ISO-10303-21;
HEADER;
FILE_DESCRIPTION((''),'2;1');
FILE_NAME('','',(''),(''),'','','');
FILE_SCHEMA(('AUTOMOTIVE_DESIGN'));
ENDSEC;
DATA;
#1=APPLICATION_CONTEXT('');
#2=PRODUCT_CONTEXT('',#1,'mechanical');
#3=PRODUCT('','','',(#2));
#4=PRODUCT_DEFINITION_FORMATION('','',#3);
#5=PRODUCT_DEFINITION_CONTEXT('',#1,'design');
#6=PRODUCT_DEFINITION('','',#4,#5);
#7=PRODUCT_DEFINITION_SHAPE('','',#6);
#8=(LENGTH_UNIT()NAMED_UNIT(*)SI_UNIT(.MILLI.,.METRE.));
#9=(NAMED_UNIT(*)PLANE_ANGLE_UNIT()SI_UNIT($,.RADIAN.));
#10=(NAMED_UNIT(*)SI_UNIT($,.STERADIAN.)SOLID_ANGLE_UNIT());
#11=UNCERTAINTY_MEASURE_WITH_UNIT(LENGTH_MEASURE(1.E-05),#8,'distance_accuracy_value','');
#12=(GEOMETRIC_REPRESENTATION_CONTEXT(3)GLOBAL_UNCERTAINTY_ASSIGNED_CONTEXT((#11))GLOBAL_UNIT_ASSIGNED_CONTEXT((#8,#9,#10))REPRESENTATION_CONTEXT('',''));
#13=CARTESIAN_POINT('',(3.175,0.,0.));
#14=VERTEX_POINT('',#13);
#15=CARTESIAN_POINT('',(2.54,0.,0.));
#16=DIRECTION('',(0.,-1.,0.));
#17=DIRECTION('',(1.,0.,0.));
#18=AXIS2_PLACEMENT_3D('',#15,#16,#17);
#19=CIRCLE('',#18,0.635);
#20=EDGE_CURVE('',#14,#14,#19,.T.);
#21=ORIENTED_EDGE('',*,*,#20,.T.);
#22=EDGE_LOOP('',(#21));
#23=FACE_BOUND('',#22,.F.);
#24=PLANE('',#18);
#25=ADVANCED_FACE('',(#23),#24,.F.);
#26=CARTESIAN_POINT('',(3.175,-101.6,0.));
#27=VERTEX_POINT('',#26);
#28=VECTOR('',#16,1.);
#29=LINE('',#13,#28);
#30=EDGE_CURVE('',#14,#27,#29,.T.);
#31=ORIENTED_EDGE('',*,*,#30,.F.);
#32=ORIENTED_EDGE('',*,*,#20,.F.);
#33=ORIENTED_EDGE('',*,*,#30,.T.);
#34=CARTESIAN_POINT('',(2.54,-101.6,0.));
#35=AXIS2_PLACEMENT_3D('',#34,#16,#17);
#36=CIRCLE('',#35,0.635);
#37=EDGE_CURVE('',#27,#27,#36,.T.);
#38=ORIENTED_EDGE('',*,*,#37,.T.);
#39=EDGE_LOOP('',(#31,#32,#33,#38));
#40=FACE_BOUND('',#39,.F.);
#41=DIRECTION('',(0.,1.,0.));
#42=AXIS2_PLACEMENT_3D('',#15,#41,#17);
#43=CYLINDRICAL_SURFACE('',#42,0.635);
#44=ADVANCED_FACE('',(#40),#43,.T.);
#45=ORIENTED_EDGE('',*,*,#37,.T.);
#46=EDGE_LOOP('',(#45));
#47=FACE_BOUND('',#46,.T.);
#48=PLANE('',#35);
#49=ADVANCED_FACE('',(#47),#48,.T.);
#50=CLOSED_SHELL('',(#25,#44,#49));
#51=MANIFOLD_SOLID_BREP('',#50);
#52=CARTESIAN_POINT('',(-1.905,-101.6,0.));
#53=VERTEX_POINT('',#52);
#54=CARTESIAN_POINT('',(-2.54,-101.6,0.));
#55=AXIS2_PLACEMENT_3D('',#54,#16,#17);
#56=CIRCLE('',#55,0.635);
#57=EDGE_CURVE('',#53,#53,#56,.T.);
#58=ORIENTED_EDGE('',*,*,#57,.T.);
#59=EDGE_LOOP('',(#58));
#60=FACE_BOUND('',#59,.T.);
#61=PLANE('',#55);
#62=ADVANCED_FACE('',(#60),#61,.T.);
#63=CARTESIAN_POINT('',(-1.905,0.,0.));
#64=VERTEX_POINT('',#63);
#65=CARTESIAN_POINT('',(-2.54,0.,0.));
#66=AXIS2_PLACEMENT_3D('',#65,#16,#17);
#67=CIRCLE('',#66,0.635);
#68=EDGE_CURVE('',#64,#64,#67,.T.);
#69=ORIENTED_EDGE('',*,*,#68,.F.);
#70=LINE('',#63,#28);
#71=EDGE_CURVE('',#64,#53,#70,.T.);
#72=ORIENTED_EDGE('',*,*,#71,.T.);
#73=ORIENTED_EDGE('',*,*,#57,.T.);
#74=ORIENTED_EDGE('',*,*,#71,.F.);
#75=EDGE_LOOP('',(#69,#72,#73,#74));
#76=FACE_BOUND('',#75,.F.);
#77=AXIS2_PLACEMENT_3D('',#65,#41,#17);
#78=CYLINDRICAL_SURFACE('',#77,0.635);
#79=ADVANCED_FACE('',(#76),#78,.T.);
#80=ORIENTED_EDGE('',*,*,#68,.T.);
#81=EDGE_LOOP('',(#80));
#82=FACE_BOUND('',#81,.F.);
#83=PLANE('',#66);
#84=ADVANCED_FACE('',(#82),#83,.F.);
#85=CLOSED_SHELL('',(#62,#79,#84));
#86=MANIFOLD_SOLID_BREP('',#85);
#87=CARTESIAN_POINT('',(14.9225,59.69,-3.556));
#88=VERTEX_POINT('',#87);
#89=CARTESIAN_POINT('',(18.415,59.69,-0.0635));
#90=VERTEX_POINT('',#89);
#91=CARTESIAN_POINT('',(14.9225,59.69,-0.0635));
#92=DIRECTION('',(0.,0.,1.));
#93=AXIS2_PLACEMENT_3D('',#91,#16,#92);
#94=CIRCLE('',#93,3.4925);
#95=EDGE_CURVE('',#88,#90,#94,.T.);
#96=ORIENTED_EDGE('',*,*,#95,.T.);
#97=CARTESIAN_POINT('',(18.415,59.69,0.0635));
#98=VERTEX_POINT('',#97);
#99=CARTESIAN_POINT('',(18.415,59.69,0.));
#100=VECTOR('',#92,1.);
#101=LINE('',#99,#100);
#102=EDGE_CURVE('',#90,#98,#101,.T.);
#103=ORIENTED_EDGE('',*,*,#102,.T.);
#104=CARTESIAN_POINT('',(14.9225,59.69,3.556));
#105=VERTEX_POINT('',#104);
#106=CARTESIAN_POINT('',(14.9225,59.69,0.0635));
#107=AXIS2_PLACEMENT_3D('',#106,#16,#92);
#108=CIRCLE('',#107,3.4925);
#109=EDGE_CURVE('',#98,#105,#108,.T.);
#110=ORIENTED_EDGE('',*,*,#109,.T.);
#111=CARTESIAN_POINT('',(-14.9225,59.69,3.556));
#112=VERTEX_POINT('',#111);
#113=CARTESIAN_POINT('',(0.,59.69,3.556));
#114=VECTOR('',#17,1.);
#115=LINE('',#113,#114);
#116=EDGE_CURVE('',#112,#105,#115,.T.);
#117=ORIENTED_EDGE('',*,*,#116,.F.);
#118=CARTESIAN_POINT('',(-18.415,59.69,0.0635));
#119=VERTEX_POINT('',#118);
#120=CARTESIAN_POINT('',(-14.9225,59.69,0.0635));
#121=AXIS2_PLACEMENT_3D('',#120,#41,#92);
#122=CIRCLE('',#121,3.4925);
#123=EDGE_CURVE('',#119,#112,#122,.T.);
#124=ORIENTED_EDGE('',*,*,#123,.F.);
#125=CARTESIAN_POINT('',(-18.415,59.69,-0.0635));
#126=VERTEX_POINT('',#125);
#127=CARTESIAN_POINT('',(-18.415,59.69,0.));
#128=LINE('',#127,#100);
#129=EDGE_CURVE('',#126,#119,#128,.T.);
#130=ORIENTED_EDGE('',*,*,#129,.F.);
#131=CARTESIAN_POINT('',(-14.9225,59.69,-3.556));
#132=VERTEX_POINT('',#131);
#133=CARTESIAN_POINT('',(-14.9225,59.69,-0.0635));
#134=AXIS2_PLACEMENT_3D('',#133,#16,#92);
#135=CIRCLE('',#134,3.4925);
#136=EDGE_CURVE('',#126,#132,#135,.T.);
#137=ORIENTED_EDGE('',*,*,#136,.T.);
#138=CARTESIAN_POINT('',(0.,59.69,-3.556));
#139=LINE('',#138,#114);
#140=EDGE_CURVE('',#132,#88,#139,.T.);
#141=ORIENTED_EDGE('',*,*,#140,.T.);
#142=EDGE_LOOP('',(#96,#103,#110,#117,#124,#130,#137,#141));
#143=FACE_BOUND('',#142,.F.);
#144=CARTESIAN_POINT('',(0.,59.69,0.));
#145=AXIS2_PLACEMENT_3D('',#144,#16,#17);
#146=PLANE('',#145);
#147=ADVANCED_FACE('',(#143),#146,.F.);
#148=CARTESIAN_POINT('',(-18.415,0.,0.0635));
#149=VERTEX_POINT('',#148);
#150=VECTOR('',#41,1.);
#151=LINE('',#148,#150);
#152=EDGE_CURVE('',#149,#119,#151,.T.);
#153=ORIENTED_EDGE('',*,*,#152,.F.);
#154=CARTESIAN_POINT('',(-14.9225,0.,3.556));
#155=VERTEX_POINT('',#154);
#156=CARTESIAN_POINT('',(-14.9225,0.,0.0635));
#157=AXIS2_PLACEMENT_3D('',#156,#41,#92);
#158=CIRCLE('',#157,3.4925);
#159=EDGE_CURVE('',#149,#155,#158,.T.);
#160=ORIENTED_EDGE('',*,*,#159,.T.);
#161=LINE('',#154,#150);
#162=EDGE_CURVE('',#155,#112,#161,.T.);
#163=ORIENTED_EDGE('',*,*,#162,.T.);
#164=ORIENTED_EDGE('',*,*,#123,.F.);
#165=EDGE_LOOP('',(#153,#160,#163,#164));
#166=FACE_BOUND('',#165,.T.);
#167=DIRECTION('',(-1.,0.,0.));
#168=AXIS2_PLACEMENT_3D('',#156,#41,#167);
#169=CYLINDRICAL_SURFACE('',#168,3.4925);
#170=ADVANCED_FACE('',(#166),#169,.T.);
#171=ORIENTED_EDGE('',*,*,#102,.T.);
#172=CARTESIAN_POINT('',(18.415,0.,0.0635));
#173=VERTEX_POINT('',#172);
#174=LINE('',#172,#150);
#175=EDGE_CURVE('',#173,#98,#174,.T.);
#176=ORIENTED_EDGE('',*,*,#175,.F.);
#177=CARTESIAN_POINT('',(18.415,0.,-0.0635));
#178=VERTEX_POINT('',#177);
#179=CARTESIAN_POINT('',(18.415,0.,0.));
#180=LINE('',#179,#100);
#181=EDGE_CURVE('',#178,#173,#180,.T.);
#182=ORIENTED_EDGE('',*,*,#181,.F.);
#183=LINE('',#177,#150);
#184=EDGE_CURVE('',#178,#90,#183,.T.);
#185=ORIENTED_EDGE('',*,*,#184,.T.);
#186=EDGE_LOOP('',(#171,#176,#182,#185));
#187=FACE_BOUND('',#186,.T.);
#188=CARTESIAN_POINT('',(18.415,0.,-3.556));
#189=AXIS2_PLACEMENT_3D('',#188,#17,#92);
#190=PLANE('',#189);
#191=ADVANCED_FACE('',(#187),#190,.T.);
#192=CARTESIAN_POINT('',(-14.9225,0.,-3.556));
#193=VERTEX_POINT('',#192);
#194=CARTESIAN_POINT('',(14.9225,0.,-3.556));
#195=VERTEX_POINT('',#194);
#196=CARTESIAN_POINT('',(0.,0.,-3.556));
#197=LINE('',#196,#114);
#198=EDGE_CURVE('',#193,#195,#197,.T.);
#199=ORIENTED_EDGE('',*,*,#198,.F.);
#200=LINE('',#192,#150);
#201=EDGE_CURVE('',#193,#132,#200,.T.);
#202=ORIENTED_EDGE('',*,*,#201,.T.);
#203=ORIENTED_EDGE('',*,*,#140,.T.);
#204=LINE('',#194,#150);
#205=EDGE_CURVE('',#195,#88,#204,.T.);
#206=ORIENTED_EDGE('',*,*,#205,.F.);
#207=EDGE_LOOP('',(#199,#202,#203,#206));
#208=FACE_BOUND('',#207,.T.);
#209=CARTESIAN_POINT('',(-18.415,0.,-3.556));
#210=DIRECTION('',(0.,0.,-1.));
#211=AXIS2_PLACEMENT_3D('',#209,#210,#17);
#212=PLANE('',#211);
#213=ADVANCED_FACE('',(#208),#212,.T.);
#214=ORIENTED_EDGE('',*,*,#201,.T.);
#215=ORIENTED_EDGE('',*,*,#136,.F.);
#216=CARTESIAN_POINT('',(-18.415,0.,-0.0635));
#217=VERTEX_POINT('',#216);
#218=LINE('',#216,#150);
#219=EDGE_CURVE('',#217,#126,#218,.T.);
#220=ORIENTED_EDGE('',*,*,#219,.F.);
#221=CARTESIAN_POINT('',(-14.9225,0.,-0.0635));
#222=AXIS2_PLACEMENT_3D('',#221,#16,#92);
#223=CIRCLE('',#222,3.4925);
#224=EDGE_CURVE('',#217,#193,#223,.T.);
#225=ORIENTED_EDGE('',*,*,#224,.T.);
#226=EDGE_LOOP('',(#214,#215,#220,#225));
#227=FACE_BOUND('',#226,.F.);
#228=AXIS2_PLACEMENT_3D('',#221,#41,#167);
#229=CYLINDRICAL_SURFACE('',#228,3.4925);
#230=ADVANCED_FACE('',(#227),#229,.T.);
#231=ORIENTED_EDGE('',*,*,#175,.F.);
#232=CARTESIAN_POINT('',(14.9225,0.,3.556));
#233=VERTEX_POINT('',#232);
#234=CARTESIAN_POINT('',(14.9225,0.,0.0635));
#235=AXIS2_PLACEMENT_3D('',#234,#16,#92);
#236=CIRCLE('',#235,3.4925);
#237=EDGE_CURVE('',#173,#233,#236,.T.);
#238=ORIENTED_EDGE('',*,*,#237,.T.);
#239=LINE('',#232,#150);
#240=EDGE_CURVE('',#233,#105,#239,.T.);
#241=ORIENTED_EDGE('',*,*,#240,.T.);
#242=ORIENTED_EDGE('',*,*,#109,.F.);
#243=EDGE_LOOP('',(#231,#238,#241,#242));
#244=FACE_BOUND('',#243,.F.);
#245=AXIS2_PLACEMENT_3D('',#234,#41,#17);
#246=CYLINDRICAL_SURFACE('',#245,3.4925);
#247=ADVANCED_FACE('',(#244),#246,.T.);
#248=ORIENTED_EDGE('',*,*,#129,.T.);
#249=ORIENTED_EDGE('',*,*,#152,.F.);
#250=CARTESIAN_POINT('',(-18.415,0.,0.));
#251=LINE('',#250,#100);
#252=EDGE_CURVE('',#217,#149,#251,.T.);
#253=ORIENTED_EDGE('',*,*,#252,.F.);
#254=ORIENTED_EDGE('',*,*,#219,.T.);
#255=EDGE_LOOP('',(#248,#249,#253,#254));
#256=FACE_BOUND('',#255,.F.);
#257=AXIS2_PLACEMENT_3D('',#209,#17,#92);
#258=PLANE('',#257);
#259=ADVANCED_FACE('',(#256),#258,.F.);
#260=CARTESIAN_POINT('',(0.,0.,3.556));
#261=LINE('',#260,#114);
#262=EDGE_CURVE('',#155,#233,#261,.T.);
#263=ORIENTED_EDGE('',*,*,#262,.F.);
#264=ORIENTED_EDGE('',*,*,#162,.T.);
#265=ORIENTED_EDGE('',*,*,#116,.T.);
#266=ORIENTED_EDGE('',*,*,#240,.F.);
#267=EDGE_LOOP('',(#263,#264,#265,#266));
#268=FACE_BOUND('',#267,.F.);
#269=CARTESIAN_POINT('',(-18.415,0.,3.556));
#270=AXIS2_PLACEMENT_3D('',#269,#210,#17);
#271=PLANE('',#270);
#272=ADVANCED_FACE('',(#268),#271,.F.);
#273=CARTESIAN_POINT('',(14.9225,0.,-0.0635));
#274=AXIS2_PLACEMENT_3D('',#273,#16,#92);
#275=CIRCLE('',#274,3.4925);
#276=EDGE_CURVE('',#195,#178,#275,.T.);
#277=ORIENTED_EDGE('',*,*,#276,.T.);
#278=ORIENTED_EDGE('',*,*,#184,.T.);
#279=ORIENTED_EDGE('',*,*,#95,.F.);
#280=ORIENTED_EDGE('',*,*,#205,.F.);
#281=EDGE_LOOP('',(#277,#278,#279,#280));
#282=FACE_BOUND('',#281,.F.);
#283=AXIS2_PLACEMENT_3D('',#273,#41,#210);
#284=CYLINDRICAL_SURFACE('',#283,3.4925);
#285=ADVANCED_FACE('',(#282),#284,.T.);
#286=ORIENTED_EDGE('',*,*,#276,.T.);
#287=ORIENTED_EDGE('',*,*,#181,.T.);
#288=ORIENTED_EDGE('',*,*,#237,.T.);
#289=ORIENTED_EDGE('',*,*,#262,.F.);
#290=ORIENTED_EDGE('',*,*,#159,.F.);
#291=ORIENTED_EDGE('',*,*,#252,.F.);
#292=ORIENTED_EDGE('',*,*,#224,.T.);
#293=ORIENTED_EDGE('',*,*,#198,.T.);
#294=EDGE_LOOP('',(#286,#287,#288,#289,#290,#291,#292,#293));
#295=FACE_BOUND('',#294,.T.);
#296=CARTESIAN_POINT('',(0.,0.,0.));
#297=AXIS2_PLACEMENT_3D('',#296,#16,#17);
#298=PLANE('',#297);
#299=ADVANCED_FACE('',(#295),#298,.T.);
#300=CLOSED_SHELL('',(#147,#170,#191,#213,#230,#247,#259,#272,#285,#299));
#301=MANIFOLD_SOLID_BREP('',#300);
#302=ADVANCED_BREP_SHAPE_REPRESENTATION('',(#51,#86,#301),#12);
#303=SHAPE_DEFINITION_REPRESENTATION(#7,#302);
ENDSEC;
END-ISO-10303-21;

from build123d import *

# Parameters (mm, degrees)
F0_W     = 36.83
F0_H     = 7.112
F1_DEPTH = 59.69
F2_R     = 0.635
F3_DEPTH = 101.6
F4_DEPTH = 101.6
F5_R     = 3.4925


with BuildPart() as f1:
    # F0 (on Front) → F1 (new body)
    with BuildSketch(Plane.XZ):
        Rectangle(F0_W, F0_H)
    extrude(amount=-F1_DEPTH)

    # F5
    f5_edges = [f1.edges().sort_by_distance(p)[0] for p in [
        (-18.415, 29.845, 3.556),
        (-18.415, 29.845, -3.556),
        (18.415, 29.845, 3.556),
        (18.415, 29.845, -3.556),
    ]]
    fillet(f5_edges, radius=F5_R)


with BuildPart() as f3:
    # F2 (on face) → F3 (new body)
    with BuildSketch(Plane.XZ):
        with Locations((2.54, 0)):
            Circle(F2_R)
    extrude(amount=F3_DEPTH)


with BuildPart() as f4:
    # F2 (on face) → F4 (new body)
    with BuildSketch(Plane.XZ):
        with Locations((-2.54, 0)):
            Circle(F2_R)
    extrude(amount=F4_DEPTH)


solid = Compound([f1.part, f3.part, f4.part])
